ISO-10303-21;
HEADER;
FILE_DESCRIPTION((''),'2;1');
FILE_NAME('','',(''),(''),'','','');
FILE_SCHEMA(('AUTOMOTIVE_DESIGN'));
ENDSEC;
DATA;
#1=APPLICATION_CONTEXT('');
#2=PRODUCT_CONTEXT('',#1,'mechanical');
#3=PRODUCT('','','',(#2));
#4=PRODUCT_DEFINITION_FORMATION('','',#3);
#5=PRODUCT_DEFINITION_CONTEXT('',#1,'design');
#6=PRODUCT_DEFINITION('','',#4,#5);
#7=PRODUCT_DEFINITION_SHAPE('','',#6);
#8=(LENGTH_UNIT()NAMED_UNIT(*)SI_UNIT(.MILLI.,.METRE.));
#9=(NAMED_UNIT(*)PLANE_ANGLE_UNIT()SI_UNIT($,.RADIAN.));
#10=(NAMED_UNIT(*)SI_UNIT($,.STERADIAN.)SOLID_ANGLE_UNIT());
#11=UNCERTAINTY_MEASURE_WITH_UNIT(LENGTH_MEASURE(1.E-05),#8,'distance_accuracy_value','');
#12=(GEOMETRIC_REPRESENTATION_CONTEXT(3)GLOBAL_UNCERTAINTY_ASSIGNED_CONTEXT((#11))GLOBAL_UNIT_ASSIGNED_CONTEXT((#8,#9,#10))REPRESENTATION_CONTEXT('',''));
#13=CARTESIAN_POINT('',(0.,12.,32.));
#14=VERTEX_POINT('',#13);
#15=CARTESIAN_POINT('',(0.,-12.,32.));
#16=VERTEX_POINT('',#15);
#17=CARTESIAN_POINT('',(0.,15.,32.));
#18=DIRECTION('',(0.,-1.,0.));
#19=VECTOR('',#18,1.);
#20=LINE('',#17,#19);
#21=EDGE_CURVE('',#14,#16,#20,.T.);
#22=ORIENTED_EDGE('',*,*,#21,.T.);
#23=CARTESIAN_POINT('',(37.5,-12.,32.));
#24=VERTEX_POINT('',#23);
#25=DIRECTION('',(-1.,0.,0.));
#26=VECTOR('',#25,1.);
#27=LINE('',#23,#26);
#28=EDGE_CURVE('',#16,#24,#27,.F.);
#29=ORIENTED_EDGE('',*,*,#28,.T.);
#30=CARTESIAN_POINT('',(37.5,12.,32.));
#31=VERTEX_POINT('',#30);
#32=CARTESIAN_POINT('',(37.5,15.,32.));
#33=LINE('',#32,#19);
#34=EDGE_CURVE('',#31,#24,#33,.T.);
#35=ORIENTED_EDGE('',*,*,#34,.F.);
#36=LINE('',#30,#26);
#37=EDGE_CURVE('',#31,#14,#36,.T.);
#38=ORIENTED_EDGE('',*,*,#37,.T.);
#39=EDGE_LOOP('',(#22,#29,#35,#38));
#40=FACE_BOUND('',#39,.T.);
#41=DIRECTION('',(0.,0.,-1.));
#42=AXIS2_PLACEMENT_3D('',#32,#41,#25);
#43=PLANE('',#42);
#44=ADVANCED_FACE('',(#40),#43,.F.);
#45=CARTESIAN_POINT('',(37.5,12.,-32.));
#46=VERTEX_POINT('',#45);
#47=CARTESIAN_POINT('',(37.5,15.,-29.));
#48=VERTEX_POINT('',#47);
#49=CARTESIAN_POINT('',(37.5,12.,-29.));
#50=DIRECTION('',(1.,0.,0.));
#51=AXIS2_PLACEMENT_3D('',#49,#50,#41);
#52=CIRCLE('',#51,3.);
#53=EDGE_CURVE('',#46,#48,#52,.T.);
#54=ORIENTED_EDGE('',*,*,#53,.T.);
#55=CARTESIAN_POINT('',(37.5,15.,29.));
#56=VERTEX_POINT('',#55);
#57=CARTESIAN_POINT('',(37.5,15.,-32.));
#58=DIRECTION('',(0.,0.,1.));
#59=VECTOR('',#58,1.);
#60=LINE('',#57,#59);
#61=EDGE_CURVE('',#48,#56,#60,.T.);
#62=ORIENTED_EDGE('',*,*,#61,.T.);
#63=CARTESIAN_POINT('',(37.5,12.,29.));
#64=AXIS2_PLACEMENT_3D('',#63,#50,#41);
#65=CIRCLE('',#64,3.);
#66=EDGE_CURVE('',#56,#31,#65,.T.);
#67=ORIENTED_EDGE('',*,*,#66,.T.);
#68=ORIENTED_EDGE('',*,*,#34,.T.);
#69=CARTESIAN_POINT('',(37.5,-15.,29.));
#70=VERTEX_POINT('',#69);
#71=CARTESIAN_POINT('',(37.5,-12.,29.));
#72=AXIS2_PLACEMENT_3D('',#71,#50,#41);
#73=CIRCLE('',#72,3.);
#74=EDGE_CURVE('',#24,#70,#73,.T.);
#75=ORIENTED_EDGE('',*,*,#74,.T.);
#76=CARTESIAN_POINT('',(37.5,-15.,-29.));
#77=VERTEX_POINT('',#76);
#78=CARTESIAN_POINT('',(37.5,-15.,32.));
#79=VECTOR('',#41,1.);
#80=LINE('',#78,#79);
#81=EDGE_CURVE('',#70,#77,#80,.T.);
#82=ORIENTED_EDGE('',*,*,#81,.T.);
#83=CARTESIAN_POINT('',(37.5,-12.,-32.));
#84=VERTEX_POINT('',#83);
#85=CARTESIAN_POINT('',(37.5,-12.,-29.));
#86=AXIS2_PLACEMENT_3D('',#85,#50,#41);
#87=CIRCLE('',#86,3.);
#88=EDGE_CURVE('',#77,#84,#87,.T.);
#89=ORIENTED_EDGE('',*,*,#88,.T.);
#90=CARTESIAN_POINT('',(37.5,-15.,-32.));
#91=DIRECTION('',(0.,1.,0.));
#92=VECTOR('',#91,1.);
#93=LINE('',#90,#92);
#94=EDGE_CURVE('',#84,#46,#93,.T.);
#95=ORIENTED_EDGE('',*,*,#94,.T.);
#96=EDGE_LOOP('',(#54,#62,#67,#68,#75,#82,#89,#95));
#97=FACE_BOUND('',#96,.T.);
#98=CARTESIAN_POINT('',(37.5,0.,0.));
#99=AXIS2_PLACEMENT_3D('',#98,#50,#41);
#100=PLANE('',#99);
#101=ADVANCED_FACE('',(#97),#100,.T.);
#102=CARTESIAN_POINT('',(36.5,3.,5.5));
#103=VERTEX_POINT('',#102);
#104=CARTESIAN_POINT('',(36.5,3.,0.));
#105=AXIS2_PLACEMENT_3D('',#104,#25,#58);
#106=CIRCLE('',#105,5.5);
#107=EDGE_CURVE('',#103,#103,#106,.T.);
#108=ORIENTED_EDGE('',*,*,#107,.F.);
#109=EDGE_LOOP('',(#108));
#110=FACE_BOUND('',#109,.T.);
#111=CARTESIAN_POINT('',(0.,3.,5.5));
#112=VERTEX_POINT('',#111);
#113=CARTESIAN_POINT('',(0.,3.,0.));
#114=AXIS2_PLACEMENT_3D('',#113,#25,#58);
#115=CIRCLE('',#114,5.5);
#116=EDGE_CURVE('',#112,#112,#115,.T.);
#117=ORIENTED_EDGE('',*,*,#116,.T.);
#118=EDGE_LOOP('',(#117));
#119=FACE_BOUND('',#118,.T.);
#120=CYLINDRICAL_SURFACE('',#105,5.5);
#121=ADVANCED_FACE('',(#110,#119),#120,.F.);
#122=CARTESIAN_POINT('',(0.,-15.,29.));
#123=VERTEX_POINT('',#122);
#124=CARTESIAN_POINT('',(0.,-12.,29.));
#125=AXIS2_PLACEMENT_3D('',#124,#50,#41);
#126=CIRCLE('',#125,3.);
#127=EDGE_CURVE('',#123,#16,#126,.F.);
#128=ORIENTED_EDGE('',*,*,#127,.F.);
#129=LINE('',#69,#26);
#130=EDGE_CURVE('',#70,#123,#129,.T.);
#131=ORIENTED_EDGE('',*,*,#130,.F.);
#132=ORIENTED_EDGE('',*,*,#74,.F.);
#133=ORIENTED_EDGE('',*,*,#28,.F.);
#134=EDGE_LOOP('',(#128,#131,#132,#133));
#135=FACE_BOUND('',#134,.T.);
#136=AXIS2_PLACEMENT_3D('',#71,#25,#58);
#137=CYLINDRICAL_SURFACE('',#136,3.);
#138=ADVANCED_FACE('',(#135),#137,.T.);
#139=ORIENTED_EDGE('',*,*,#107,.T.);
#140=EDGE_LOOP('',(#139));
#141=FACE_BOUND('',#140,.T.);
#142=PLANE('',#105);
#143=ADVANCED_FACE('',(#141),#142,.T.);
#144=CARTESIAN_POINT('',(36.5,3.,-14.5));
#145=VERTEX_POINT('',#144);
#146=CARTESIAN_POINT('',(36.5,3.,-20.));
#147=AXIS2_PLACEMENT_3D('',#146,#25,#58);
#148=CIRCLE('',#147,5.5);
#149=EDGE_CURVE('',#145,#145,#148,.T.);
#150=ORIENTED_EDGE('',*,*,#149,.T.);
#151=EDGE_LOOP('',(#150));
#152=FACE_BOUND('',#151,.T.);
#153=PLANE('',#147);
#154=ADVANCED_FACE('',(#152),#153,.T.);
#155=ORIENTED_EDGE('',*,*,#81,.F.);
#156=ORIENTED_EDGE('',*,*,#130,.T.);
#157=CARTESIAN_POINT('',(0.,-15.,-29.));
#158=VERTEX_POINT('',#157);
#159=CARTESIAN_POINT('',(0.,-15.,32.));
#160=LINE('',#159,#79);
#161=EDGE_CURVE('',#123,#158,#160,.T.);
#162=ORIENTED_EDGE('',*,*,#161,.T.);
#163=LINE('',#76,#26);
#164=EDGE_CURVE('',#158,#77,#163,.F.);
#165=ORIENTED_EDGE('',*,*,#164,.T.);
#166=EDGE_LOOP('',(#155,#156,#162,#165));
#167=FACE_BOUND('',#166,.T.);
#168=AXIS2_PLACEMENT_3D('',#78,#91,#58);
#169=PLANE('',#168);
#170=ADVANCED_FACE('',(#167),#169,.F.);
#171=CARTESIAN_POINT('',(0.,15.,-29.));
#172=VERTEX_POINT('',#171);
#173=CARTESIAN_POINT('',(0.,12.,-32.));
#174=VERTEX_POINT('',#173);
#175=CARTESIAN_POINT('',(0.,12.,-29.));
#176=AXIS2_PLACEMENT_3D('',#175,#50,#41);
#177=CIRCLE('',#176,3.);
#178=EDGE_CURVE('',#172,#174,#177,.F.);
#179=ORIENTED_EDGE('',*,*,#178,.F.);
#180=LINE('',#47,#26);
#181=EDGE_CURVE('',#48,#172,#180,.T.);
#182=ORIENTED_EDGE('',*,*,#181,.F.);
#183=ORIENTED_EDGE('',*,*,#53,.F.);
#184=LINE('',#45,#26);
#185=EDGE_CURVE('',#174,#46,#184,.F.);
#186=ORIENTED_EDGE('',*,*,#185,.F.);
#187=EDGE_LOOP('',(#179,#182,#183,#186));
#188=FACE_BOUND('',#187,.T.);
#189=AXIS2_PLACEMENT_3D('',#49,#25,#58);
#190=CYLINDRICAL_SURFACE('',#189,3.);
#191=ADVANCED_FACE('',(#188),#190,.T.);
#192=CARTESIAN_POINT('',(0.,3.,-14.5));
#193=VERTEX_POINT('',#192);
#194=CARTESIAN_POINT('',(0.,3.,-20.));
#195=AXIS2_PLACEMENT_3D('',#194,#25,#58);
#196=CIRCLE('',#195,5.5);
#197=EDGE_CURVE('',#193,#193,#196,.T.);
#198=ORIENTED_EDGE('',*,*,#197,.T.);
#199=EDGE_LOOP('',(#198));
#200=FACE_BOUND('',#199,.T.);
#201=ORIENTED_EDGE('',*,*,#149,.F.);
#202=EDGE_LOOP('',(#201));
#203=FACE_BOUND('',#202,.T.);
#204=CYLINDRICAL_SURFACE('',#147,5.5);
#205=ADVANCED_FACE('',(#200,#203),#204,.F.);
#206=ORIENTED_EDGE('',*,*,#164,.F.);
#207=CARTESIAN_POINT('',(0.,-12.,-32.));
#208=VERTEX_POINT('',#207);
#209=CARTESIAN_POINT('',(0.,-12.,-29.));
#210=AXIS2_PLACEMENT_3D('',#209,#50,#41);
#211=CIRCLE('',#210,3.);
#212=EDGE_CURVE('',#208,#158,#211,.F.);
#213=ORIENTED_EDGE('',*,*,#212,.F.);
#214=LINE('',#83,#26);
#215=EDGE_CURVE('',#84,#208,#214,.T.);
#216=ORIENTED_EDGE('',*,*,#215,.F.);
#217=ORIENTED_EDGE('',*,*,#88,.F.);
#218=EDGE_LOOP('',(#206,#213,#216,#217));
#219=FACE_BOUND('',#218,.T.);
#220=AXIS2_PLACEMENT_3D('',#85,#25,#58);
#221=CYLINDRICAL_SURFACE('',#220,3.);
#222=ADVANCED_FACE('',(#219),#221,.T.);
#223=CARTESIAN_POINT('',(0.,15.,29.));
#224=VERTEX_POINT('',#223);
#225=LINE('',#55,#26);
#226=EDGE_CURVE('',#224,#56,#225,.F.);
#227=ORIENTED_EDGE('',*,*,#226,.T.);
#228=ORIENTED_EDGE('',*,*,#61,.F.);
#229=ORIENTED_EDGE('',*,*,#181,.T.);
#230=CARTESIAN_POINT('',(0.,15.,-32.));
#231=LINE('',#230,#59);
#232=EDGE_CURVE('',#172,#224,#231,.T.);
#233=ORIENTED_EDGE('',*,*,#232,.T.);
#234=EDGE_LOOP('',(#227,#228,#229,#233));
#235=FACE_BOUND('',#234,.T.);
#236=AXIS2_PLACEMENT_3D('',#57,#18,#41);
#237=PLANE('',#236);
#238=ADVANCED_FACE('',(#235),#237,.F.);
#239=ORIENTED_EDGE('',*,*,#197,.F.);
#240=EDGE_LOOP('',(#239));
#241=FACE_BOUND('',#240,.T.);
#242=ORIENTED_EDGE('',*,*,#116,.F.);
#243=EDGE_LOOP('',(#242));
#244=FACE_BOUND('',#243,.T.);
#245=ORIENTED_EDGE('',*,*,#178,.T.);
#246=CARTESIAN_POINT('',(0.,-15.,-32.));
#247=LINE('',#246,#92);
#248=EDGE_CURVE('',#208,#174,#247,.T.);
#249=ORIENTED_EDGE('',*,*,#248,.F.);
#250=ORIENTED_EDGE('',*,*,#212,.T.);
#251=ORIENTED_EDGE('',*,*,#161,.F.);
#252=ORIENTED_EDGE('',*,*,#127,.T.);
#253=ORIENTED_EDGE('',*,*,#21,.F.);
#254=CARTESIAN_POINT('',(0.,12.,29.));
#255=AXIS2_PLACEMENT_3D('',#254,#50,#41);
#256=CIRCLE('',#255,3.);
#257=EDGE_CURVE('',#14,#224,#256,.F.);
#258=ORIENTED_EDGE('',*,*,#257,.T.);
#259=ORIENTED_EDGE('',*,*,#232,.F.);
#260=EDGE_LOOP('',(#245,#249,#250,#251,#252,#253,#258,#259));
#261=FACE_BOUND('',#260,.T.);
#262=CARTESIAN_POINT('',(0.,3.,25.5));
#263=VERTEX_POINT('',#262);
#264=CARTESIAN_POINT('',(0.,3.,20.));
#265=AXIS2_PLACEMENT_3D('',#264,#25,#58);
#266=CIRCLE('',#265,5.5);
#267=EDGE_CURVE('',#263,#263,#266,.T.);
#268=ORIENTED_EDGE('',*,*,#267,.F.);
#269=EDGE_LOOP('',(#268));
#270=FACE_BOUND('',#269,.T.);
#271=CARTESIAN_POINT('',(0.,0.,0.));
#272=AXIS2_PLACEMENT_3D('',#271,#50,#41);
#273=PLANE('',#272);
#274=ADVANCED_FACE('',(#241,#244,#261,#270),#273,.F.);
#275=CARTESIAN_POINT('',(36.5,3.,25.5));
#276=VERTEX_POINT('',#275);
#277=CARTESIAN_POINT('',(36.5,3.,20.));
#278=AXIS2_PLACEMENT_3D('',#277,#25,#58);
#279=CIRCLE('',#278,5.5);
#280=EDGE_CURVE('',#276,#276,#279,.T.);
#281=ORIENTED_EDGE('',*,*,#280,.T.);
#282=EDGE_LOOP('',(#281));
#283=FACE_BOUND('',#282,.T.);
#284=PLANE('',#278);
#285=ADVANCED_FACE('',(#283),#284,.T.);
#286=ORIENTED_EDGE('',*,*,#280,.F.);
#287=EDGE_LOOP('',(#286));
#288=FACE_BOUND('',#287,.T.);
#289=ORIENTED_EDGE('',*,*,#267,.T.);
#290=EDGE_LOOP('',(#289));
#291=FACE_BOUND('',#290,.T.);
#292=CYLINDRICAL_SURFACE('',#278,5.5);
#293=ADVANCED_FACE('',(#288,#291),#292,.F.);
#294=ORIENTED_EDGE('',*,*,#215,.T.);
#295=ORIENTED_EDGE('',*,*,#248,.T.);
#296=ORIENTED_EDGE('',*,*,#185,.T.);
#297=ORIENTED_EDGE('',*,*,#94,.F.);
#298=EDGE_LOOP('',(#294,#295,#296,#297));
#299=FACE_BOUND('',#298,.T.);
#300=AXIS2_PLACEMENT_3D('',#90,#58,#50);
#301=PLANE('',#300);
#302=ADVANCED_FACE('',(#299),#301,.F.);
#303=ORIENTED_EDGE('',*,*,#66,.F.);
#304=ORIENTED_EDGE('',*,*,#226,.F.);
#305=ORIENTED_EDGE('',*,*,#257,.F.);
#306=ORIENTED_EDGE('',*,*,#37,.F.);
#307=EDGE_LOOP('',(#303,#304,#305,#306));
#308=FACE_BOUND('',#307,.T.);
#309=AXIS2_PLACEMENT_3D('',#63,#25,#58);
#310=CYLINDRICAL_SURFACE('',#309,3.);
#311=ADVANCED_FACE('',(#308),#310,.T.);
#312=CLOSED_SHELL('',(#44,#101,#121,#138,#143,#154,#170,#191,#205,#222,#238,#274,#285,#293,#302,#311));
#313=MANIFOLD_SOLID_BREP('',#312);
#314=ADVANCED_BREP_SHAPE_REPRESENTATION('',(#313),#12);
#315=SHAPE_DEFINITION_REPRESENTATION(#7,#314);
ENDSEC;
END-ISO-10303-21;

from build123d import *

# Parameters (mm, degrees)
SKETCH1_W       = 30
SKETCH1_H       = 64
BLOCK_DEPTH     = 37.5
BLOCKFILLET_R   = 3
SKETCH2_R       = 5.5
JACKHOLES_DEPTH = 36.5


with BuildPart() as part:
    # Sketch1 → Block (new body)
    with BuildSketch(Plane.YZ):
        Rectangle(SKETCH1_W, SKETCH1_H)
    extrude(amount=BLOCK_DEPTH)

    # BlockFillet
    blockfillet_edges = [part.edges().sort_by_distance(p)[0] for p in [
        (18.75, -15, 32),
        (18.75, 15, 32),
        (18.75, 15, -32),
        (18.75, -15, -32),
    ]]
    fillet(blockfillet_edges, radius=BLOCKFILLET_R)

    # Sketch2 → JackHoles (cut)
    with BuildSketch(Plane(origin=(0, 0, 0), x_dir=(0, -1, 0), z_dir=(-1, 0, 0))):
        with Locations(Location((-3, -20, 0), (0, 0, 90))):
            Circle(SKETCH2_R)
        with Locations(Location((-3, 0, 0), (0, 0, 90))):
            Circle(SKETCH2_R)
        with Locations(Location((-3, 20, 0), (0, 0, 90))):
            Circle(SKETCH2_R)
    extrude(amount=-JACKHOLES_DEPTH, mode=Mode.SUBTRACT)


solid = part.part
